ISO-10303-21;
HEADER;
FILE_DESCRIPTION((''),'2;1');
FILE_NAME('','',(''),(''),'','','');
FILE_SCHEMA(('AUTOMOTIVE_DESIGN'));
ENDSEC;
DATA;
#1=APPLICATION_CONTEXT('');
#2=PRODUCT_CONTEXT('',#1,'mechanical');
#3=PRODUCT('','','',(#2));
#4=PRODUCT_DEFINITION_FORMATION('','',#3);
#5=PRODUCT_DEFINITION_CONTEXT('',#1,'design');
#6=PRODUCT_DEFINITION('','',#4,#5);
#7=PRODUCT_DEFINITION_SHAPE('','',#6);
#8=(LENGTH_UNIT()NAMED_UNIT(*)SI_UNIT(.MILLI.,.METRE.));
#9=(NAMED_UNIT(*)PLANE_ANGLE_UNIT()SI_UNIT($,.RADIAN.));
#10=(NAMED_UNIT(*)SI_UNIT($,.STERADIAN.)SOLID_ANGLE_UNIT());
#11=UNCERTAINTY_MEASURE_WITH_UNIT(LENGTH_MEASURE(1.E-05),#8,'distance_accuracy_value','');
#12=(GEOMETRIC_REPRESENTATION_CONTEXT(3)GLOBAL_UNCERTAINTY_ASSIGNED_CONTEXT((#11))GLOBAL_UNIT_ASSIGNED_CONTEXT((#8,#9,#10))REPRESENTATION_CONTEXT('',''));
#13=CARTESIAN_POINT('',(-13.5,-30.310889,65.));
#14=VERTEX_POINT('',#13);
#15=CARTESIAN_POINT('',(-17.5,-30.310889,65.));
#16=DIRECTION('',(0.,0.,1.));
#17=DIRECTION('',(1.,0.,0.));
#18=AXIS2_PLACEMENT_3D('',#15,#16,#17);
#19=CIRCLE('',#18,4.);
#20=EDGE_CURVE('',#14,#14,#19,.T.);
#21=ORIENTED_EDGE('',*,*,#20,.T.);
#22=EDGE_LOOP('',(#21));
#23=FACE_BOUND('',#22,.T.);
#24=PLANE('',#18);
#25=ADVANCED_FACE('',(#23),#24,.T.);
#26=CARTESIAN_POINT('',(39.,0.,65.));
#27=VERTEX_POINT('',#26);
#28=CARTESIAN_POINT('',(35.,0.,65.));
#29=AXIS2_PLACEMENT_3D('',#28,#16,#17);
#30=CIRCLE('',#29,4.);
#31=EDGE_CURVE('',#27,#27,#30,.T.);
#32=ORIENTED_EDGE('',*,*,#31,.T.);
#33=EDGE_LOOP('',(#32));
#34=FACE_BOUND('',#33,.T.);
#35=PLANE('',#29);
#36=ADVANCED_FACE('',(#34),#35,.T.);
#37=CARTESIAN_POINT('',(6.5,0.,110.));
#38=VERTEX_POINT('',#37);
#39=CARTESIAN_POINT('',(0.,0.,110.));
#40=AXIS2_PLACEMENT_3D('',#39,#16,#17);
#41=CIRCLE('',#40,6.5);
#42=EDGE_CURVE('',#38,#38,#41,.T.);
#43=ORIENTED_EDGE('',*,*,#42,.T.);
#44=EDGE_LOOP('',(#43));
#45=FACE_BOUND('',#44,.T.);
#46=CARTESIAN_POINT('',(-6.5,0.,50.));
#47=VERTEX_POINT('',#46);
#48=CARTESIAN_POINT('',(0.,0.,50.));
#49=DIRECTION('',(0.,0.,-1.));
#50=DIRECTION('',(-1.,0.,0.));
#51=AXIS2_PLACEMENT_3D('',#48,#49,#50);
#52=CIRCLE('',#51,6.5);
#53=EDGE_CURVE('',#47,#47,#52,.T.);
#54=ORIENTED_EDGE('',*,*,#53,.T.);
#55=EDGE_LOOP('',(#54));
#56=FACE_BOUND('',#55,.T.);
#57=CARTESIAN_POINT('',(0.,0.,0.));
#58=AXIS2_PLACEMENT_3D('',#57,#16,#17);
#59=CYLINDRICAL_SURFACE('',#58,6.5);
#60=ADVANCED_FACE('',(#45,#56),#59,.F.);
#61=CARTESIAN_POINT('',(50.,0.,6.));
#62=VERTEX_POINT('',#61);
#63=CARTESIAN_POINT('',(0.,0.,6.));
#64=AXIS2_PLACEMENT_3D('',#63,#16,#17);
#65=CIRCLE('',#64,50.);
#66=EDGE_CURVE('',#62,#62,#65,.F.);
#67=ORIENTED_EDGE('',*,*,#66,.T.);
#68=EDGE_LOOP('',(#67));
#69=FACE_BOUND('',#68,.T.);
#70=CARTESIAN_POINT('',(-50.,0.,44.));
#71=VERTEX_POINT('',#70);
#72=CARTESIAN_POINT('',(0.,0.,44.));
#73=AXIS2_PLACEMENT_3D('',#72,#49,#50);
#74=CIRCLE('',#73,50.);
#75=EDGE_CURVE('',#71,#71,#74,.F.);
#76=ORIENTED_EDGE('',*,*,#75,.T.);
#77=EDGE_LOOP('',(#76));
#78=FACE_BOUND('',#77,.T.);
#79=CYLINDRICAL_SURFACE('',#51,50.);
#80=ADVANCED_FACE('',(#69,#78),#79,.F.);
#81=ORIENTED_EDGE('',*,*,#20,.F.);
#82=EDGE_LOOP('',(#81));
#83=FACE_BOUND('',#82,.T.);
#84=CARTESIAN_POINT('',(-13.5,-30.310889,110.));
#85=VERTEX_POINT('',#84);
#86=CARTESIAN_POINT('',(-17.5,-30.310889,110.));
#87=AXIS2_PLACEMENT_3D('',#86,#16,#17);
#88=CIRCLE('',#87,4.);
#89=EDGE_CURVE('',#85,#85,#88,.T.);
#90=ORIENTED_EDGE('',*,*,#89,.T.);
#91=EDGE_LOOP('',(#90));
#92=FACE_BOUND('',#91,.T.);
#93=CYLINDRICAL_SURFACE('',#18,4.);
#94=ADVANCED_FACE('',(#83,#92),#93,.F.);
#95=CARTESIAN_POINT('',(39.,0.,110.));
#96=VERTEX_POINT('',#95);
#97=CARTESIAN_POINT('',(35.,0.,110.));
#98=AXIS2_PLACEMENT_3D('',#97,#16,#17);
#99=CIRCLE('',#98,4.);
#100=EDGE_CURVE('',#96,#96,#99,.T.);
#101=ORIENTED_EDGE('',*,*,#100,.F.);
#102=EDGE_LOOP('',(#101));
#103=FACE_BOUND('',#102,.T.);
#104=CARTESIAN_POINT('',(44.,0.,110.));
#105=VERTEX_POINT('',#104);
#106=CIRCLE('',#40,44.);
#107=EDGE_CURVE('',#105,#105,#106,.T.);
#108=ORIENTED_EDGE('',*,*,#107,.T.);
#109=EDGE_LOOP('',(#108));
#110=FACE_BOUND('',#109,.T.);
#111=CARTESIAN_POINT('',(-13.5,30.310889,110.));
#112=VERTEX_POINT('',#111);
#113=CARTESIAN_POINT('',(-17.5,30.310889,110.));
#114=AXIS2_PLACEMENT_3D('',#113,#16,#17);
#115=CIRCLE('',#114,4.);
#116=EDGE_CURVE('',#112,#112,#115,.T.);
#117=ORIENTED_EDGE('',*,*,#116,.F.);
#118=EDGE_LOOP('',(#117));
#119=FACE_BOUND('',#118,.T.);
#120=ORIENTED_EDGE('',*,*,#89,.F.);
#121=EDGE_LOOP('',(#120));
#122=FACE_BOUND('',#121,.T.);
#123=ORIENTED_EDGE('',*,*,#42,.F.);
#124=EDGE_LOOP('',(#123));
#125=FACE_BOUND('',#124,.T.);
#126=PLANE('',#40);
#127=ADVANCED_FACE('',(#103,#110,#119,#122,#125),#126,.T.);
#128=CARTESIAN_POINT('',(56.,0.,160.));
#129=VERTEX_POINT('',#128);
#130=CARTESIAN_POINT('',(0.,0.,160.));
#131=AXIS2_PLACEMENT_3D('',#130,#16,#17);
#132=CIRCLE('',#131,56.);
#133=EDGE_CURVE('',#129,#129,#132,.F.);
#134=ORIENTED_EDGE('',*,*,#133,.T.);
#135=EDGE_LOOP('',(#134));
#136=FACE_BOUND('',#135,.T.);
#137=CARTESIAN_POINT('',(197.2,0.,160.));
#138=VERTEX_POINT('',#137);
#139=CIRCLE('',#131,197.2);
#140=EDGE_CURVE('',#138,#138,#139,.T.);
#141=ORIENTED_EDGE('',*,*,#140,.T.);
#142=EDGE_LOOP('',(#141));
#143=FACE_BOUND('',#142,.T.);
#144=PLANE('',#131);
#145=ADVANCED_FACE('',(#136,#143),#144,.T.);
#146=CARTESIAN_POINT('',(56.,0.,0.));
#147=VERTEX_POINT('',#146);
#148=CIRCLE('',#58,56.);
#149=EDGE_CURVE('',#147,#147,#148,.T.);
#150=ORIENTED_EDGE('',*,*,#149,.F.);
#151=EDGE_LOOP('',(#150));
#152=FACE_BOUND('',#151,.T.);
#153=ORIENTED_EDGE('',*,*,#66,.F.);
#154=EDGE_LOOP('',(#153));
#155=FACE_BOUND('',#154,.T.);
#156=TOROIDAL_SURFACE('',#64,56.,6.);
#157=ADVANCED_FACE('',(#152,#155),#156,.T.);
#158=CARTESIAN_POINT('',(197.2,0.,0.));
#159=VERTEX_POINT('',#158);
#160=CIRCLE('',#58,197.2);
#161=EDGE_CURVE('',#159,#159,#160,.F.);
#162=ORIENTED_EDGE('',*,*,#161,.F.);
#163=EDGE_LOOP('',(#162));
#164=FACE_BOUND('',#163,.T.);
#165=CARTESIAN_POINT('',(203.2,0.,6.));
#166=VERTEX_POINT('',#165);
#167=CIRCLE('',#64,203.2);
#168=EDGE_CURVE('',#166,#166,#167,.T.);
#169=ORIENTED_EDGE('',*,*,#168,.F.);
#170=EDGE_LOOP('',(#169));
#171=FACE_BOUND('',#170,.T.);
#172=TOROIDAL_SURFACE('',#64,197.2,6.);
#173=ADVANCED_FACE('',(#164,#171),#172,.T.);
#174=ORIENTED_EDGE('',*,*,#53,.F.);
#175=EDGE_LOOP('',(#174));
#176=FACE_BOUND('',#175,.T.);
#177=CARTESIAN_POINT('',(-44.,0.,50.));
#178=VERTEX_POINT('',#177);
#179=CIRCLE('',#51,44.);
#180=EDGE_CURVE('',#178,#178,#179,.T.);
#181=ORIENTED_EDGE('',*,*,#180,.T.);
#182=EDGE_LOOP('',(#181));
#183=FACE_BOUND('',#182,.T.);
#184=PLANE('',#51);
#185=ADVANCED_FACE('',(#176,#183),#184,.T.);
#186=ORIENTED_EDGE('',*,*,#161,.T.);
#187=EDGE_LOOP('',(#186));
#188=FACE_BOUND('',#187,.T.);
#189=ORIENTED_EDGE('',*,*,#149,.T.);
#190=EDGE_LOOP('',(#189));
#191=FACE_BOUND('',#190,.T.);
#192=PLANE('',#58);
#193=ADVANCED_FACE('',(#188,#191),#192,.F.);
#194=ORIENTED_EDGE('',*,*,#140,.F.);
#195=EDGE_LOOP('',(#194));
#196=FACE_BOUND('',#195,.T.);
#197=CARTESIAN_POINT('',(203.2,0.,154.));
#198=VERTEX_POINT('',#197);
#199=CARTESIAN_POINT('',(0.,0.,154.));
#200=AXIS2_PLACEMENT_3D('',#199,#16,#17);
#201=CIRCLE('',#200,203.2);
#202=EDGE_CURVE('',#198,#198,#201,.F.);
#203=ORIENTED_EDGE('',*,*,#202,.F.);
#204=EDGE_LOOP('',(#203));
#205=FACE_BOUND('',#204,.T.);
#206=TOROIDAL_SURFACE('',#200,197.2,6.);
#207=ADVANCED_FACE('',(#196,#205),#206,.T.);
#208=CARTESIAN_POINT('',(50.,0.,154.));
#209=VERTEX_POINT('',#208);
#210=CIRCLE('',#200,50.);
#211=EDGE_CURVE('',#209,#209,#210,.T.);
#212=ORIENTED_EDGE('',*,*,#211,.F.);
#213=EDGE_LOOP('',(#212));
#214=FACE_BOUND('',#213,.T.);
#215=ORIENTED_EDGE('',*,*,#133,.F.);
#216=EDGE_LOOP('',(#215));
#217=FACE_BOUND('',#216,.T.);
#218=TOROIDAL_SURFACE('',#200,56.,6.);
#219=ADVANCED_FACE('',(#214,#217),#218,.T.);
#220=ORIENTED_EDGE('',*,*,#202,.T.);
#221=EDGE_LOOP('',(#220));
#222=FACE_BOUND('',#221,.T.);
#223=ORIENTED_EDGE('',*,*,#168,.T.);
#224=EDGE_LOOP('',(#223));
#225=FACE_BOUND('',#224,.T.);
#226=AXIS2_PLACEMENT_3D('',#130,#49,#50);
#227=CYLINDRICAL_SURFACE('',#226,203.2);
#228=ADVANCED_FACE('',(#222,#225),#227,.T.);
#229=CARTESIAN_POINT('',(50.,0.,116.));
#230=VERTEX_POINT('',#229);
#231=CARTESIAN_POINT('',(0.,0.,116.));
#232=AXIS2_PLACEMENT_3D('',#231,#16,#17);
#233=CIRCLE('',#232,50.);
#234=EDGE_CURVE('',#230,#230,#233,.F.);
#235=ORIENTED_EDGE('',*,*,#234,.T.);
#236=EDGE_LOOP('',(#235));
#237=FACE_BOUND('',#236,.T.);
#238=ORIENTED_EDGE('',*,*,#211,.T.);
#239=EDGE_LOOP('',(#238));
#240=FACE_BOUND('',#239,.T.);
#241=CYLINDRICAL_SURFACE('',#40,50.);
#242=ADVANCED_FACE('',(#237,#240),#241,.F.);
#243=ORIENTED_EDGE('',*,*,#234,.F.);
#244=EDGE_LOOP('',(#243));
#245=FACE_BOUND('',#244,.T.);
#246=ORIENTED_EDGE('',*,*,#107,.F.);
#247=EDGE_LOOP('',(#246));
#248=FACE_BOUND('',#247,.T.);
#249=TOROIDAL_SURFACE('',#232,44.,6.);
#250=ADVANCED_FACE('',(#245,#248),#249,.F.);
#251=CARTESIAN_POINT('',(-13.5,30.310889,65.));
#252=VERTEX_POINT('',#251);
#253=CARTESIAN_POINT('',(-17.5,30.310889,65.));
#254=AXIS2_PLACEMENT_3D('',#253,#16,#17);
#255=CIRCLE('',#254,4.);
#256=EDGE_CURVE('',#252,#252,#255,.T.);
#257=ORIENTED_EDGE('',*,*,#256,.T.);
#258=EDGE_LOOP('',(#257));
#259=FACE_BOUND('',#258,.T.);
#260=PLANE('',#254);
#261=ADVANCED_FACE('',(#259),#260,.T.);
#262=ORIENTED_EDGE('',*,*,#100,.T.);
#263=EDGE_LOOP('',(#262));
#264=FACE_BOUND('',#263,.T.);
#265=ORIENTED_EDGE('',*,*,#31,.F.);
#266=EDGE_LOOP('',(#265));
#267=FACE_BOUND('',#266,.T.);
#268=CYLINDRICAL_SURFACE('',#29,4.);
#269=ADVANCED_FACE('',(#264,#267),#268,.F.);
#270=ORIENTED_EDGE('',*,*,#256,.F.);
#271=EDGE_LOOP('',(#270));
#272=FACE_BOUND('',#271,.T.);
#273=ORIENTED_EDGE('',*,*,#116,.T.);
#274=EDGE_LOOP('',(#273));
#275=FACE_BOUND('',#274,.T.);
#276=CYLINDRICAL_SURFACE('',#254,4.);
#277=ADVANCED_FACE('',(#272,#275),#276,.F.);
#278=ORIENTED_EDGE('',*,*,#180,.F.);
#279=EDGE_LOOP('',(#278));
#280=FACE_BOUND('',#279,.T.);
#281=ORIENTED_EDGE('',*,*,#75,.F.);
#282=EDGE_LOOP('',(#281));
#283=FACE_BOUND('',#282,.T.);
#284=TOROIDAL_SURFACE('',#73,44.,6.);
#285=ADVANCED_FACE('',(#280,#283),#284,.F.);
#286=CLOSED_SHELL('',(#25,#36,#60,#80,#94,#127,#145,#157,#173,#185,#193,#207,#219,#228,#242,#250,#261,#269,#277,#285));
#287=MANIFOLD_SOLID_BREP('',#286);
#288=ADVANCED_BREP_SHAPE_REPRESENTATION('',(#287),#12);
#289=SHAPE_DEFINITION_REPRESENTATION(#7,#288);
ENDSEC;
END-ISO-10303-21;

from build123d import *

# Parameters (mm, degrees)
SKETCH1_R           = 203.2
BOSS_EXTRUDE2_DEPTH = 160
SKETCH3_R           = 50
CUT_EXTRUDE1_DEPTH  = 50
SKETCH4_R           = 50
CUT_EXTRUDE2_DEPTH  = 50
FILLET1_R           = 6
SKETCH5_R           = 4
CUT_EXTRUDE3_DEPTH  = 45
SKETCH6_R           = 6.5
CUT_EXTRUDE4_DEPTH  = 111


with BuildPart() as part:
    # Sketch1 → Boss-Extrude2 (new body)
    with BuildSketch(Plane.XY):
        Circle(SKETCH1_R)
    extrude(amount=BOSS_EXTRUDE2_DEPTH)

    # Sketch3 → Cut-Extrude1 (cut)
    with BuildSketch(Plane.XY.offset(160)):
        Circle(SKETCH3_R)
    extrude(amount=-CUT_EXTRUDE1_DEPTH, mode=Mode.SUBTRACT)

    # Sketch4 → Cut-Extrude2 (cut)
    with BuildSketch(Plane(origin=(0, 0, 0), x_dir=(-1, 0, 0), z_dir=(0, 0, -1))):
        Circle(SKETCH4_R)
    extrude(amount=-CUT_EXTRUDE2_DEPTH, mode=Mode.SUBTRACT)

    # Fillet1
    fillet1_edges = [part.edges().sort_by_distance(p)[0] for p in [
        (50, 0, 50),
        (50, 0, 0),
        (-203.2, 0, 0),
        (-203.2, 0, 160),
        (-50, 0, 110),
        (-50, 0, 160),
    ]]
    fillet(fillet1_edges, radius=FILLET1_R)

    # Sketch5 → Cut-Extrude3 (cut)
    with BuildSketch(Plane.XY.offset(110)):
        with Locations((35, 0)):
            Circle(SKETCH5_R)
        with Locations((-17.5, -30.310889132)):
            Circle(SKETCH5_R)
        with Locations((-17.5, 30.310889132)):
            Circle(SKETCH5_R)
    extrude(amount=-CUT_EXTRUDE3_DEPTH, mode=Mode.SUBTRACT)

    # Sketch6 → Cut-Extrude4 (cut, through all)
    with BuildSketch(Plane.XY.offset(110)):
        Circle(SKETCH6_R)
    extrude(amount=-CUT_EXTRUDE4_DEPTH, mode=Mode.SUBTRACT)


solid = part.part
